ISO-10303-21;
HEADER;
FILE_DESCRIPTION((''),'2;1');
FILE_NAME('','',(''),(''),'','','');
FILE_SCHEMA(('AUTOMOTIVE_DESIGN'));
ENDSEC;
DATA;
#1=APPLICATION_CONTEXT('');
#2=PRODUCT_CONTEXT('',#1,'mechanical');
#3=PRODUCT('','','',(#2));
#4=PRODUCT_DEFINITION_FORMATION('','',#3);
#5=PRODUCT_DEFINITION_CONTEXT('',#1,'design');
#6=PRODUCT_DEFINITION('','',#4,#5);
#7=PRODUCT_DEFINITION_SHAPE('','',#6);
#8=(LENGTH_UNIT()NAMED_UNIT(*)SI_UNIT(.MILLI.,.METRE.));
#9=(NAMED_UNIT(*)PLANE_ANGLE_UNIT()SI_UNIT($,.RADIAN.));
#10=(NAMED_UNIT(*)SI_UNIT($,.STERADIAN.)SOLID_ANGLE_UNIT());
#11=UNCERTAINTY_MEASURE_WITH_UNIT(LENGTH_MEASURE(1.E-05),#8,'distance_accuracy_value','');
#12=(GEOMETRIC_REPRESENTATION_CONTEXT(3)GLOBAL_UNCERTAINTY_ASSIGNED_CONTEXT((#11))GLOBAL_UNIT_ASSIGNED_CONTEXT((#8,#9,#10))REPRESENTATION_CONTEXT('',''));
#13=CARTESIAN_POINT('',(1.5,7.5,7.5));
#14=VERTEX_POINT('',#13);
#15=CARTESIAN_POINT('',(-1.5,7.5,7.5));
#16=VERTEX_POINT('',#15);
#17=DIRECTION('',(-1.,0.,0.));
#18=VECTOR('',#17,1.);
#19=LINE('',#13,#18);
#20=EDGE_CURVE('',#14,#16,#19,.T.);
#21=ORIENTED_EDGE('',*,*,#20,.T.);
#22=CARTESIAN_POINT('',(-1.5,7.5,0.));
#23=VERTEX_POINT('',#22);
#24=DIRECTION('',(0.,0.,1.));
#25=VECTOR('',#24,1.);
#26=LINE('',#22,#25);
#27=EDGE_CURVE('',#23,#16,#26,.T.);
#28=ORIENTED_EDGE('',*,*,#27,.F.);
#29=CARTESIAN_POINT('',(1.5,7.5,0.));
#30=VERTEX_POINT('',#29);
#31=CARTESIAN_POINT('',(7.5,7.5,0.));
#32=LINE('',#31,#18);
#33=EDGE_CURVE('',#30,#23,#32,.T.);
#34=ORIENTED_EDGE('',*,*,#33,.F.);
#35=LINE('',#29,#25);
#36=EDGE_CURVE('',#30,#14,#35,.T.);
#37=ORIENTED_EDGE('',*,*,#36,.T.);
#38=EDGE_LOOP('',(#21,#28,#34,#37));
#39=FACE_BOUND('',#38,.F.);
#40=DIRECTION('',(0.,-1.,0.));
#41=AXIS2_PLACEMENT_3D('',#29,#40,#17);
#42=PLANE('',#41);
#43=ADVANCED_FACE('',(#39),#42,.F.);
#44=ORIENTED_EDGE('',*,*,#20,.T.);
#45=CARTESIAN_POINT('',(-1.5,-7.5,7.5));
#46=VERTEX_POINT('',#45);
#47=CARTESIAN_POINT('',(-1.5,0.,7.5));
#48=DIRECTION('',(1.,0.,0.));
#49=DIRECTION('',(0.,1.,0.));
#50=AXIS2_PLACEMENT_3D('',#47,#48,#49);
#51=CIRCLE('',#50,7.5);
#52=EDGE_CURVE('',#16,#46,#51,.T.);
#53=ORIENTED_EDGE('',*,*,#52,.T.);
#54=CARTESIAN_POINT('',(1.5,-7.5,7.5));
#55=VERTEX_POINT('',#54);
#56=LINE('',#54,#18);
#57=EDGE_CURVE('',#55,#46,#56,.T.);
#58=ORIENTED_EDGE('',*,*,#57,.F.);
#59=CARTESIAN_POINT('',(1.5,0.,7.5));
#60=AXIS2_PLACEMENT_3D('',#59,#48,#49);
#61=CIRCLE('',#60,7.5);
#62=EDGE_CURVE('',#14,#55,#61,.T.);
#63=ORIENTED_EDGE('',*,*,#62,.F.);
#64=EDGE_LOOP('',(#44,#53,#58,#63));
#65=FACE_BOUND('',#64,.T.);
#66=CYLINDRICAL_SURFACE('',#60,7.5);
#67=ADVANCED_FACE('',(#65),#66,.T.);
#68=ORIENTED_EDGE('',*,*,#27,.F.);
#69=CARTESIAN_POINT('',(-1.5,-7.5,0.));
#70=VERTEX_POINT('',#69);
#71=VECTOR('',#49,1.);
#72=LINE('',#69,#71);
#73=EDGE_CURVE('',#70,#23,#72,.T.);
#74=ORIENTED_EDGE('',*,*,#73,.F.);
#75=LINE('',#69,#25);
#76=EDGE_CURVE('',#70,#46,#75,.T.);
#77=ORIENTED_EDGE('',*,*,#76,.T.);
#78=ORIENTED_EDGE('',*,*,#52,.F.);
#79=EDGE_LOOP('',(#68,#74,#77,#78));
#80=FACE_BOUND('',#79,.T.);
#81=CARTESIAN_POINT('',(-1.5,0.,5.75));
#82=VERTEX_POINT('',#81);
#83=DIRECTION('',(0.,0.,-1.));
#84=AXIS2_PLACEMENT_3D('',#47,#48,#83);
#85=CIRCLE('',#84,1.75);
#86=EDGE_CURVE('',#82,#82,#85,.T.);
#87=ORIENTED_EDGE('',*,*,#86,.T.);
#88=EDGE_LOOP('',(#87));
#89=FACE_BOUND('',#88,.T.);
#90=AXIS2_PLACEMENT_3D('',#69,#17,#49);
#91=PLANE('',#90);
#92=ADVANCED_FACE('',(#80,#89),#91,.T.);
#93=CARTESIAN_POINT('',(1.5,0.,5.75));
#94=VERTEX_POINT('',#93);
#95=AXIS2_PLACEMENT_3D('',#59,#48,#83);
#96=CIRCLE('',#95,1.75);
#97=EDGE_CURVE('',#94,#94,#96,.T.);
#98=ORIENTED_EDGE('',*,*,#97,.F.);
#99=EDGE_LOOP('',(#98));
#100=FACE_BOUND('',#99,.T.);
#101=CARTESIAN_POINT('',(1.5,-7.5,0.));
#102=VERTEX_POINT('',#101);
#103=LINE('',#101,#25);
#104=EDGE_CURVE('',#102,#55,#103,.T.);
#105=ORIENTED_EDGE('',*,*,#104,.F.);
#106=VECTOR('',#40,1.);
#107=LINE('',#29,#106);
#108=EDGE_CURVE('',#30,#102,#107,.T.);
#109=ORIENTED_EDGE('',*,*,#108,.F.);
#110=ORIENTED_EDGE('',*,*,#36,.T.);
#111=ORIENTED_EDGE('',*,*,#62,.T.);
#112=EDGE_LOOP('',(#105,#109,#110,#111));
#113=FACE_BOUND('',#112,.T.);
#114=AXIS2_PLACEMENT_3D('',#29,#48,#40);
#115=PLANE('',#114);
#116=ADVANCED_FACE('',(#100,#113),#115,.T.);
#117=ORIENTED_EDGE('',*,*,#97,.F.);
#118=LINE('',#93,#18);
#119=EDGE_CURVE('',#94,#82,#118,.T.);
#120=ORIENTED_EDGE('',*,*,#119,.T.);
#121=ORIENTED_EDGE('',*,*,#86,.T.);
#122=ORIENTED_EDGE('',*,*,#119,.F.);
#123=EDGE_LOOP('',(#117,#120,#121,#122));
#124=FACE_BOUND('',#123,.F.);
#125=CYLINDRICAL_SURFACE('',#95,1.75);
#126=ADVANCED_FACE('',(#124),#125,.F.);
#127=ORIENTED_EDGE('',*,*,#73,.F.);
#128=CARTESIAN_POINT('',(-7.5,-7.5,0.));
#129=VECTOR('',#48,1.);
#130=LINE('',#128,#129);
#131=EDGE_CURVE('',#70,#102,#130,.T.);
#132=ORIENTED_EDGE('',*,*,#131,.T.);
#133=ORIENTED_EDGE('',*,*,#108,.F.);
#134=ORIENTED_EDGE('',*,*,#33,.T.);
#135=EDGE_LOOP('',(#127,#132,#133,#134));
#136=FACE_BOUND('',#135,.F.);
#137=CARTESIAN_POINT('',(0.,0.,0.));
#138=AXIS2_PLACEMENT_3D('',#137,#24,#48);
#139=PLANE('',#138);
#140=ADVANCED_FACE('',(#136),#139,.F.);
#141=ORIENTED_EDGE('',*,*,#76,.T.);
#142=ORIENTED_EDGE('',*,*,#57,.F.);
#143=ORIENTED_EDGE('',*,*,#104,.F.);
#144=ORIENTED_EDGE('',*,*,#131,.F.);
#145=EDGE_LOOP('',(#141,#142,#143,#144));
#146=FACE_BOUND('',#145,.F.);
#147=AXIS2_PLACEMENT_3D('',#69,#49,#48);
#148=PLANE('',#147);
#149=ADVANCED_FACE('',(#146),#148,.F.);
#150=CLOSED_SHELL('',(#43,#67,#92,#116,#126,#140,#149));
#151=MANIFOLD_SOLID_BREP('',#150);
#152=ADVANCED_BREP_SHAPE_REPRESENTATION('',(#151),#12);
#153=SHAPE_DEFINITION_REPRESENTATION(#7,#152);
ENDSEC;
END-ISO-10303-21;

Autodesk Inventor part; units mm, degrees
ref_plane "YZ Plane" through (0, 0, 0) normal (1, 0, 0) x (0, 1, 0)
ref_plane "XZ Plane" through (0, 0, 0) normal (0, 1, 0) x (-1, 0, 0)
ref_plane "XY Plane" through (0, 0, 0) normal (0, 0, 1) x (1, 0, 0)
sketch "Sketch1" plane through (0, 0, 0) normal (0, 0, 1) x (1, 0, 0)
  line L0 (7.5, 7.5) -> (-7.5, 7.5) projected
  line L1 (-7.5, -7.5) -> (7.5, -7.5) projected
  line L2 (-1.5, 7.5) -> (1.5, 7.5)
  line L3 (1.5, 7.5) -> (1.5, -7.5)
  line L4 (1.5, -7.5) -> (-1.5, -7.5)
  line L5 (-1.5, -7.5) -> (-1.5, 7.5)
  line L6 (-1.5, 7.5) -> (1.5, -7.5) construction
  line L7 (1.5, 7.5) -> (-1.5, -7.5) construction
  point P0 (0, 0)
  dimension "d0" = 3
extrude "Extrusion1" add sketch "Sketch1" along normal blind 15
sketch "Sketch2" plane through (1.5, -7.5, 0) normal (1, 0, 0) x (0, 0, -1)
  line L0 (0, 15) -> (0, 0) projected
  line L1 (0, 15) -> (-15, 15) projected
  line L2 (-15, 0) -> (-15, 15) projected
  line L3 (-15, 15) -> (-7.5, 15)
  line L4 (0, 15) -> (-15, 15) projected
  line L5 (0, 0) -> (-15, 0) projected
  line L6 (0, 0) -> (-15, 0) projected
  arc A0 (-7.5, 15) -> (-7.5, 0) centre (-7.5, 7.5) ccw
  line L7 (-15, 15) -> (-15, 0) projected
  circle A1 centre (-7.5, 7.5) radius 1.75
  point P0 (0, 7.5)
  point P1 (-10, 7.5)
  dimension "d3" = 7.5
  dimension "d7" = 3.5
extrude "Extrusion2" cut sketch "Sketch2" against normal up to next contours A0 L2 L1 | L5 L2 A0 | A1
properties part number "weight_holder_string_loop"
